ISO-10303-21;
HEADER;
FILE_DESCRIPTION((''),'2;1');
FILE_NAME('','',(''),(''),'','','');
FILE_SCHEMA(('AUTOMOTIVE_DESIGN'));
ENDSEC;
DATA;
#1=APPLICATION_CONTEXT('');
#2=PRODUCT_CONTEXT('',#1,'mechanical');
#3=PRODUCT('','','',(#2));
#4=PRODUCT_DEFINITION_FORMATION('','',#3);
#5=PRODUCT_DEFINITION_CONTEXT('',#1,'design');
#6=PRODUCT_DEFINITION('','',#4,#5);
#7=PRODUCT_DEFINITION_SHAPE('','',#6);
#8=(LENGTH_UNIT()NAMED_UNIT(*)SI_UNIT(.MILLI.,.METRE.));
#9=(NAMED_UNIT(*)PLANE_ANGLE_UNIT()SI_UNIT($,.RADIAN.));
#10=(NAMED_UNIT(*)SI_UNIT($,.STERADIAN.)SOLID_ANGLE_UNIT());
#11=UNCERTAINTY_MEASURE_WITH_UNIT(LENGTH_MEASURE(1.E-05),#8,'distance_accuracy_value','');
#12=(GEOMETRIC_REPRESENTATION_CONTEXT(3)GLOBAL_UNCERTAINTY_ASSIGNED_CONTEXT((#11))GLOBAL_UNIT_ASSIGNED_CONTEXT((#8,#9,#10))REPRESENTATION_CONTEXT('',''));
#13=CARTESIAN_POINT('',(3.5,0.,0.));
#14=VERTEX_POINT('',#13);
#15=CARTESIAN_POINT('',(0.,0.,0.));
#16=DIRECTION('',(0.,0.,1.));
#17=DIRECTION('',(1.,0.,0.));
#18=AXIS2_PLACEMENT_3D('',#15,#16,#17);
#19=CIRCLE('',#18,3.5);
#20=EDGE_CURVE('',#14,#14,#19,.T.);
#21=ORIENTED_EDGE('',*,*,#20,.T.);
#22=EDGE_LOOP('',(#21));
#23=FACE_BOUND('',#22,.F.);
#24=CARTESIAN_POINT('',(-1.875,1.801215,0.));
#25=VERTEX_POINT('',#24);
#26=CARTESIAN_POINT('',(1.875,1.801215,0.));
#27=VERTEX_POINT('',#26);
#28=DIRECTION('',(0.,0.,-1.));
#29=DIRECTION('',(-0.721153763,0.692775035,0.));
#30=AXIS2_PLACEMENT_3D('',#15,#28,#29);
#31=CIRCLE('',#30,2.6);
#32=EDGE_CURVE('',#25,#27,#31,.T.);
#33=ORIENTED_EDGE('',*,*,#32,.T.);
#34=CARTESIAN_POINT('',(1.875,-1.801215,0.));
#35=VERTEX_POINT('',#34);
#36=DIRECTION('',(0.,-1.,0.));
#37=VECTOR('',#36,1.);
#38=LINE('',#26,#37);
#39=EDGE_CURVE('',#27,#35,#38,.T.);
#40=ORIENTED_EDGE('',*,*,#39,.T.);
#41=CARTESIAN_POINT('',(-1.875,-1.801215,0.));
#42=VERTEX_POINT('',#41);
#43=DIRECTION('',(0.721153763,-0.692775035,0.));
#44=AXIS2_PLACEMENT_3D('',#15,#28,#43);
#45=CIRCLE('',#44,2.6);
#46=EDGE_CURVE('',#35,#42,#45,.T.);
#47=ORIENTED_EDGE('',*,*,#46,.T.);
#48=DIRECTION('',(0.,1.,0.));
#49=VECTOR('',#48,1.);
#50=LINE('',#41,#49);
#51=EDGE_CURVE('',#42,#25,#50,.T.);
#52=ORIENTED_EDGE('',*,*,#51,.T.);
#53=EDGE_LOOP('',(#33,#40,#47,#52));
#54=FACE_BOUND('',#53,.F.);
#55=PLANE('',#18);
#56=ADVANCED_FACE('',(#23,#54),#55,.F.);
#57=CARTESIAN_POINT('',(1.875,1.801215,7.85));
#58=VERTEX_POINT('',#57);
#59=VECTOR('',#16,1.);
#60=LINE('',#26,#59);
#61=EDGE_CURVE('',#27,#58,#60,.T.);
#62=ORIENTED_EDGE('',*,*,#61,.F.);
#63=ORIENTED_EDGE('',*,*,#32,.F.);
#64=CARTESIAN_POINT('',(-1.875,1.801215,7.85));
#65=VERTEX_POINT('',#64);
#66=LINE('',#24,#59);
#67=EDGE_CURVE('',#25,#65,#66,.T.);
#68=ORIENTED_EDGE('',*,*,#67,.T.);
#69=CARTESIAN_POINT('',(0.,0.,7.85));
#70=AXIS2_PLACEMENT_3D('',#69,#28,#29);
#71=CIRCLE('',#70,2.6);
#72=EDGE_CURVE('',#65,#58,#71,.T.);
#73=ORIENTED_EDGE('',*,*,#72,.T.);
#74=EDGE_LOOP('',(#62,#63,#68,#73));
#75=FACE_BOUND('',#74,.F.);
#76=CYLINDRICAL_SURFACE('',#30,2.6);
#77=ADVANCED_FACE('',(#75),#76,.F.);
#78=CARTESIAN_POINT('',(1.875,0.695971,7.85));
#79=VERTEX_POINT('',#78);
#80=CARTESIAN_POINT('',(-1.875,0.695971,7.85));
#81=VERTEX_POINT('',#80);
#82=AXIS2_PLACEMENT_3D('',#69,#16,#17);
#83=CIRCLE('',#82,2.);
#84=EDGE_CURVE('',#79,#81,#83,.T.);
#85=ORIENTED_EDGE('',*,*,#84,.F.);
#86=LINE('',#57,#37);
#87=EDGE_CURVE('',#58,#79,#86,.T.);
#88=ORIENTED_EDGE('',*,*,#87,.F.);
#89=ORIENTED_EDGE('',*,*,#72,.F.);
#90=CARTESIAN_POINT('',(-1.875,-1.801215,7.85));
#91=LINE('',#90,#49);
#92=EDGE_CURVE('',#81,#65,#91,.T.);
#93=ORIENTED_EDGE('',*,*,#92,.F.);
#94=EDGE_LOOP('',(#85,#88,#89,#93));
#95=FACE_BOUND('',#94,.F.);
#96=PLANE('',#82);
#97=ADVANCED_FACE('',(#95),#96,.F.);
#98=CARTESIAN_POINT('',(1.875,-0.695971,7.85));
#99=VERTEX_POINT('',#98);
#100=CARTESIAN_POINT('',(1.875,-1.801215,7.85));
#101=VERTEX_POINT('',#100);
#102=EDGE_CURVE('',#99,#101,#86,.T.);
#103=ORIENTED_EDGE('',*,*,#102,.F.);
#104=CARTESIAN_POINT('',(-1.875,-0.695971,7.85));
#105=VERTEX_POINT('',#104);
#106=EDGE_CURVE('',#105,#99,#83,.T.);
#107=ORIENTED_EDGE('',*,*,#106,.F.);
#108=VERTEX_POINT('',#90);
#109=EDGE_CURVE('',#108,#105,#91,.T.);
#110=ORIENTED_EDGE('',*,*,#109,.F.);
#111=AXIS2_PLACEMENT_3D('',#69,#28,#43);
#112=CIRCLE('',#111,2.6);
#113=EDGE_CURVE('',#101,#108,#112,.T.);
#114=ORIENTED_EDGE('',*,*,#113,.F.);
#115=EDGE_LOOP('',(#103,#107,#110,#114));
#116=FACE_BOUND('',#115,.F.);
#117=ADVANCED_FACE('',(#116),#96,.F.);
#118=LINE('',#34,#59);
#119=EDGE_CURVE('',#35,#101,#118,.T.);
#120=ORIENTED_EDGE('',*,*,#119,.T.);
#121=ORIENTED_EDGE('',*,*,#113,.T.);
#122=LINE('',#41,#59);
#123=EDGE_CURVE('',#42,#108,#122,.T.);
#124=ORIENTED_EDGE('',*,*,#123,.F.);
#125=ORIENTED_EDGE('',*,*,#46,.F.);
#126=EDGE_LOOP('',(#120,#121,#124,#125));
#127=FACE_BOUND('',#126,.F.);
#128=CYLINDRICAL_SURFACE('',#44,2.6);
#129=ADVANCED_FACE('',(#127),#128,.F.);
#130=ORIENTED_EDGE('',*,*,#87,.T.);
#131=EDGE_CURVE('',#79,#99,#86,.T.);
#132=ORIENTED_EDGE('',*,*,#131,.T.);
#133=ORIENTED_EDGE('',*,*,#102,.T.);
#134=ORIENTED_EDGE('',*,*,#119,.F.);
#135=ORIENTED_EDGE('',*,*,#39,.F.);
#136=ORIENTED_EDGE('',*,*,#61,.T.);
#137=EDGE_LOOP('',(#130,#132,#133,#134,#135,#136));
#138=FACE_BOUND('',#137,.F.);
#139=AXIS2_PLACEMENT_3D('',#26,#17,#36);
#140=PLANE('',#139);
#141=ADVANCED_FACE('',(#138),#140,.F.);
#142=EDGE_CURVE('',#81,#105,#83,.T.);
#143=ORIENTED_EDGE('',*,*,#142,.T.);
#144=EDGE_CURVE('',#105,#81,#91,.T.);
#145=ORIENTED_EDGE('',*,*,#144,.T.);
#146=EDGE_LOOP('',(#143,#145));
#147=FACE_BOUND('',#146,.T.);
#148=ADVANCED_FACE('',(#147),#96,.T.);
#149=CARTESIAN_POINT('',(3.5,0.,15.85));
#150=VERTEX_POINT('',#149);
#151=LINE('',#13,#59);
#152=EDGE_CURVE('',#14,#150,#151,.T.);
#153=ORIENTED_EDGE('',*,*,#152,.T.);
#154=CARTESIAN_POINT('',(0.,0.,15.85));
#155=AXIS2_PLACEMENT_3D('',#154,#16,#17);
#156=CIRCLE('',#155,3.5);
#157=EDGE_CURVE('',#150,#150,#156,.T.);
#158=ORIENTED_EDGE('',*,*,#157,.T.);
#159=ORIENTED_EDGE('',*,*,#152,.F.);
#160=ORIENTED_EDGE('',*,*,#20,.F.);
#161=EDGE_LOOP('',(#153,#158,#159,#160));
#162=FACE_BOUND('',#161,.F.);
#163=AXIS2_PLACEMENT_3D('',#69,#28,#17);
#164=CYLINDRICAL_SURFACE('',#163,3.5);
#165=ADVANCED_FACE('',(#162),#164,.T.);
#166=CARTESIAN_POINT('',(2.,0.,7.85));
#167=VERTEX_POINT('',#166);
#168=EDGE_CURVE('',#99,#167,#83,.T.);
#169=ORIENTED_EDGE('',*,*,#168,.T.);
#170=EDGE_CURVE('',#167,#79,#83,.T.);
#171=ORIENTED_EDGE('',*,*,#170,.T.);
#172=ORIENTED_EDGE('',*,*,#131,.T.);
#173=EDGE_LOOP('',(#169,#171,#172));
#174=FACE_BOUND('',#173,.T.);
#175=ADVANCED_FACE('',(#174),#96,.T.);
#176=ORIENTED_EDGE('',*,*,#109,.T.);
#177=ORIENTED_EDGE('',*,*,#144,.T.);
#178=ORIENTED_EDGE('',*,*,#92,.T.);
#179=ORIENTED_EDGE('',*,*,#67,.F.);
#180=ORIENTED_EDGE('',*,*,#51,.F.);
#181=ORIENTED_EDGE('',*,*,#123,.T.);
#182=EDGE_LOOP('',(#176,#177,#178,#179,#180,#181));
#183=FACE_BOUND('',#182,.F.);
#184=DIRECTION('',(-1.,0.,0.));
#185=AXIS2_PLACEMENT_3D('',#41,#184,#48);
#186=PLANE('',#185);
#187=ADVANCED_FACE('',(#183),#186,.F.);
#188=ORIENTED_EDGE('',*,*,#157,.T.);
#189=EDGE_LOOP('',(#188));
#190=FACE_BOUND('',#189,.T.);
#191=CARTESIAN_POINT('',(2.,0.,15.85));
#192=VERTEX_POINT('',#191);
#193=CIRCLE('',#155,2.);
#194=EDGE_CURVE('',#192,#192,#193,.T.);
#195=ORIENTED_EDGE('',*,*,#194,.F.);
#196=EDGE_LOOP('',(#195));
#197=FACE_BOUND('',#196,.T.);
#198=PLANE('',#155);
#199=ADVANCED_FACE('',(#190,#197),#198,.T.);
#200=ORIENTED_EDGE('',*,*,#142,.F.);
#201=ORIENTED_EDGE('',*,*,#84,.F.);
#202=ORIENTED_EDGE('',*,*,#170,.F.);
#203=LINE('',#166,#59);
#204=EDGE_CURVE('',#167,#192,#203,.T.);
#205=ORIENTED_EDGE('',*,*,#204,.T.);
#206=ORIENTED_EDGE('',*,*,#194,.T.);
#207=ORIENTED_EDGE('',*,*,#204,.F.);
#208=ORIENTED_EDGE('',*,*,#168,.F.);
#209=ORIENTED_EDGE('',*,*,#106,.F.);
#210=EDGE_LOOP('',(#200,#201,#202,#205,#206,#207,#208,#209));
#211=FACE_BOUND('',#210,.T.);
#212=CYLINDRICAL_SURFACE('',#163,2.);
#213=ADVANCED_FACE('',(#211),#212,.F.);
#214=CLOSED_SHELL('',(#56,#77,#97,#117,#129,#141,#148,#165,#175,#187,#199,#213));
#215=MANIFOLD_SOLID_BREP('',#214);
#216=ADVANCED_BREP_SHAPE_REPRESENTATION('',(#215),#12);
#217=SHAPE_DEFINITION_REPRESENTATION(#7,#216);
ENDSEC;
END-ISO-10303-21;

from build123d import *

# Parameters (mm, degrees)
F0_R     = 3.5
F1_DEPTH = 7.85
F2_R     = 3.5
F2_R_2   = 2
F3_DEPTH = 8


with BuildPart() as f1:
    # F0 (on Top) → F1 (new body)
    with BuildSketch(Plane.XY):
        Circle(F0_R)
        with BuildLine():
            ThreePointArc((1.875, 1.801215), (2.411949, 0.970824), (2.6, 0))
            ThreePointArc((2.6, 0), (2.411949, -0.970824), (1.875, -1.801215))
            ThreePointArc((1.875, -1.801215), (0, -2.6), (-1.875, -1.801215))
            ThreePointArc((-1.875, -1.801215), (-2.6, 0), (-1.875, 1.801215))
            ThreePointArc((-1.875, 1.801215), (0, 2.6), (1.875, 1.801215))
        make_face(mode=Mode.SUBTRACT)
        with BuildLine():
            ThreePointArc((1.875, -1.801215), (2.411949, -0.970824), (2.6, 0))
            ThreePointArc((2.6, 0), (2.411949, 0.970824), (1.875, 1.801215))
            Line((1.875, 1.801215), (1.875, -1.801215))
        make_face()
        with BuildLine():
            Line((-1.875, -1.801215), (-1.875, 1.801215))
            ThreePointArc((-1.875, 1.801215), (-2.6, 0), (-1.875, -1.801215))
        make_face()
    extrude(amount=F1_DEPTH)

    # F2 (on face) → F3 (join)
    with BuildSketch(Plane.XY.offset(7.85)):
        Circle(F2_R)
        Circle(F2_R_2, mode=Mode.SUBTRACT)
    extrude(amount=F3_DEPTH)


solid = f1.part
